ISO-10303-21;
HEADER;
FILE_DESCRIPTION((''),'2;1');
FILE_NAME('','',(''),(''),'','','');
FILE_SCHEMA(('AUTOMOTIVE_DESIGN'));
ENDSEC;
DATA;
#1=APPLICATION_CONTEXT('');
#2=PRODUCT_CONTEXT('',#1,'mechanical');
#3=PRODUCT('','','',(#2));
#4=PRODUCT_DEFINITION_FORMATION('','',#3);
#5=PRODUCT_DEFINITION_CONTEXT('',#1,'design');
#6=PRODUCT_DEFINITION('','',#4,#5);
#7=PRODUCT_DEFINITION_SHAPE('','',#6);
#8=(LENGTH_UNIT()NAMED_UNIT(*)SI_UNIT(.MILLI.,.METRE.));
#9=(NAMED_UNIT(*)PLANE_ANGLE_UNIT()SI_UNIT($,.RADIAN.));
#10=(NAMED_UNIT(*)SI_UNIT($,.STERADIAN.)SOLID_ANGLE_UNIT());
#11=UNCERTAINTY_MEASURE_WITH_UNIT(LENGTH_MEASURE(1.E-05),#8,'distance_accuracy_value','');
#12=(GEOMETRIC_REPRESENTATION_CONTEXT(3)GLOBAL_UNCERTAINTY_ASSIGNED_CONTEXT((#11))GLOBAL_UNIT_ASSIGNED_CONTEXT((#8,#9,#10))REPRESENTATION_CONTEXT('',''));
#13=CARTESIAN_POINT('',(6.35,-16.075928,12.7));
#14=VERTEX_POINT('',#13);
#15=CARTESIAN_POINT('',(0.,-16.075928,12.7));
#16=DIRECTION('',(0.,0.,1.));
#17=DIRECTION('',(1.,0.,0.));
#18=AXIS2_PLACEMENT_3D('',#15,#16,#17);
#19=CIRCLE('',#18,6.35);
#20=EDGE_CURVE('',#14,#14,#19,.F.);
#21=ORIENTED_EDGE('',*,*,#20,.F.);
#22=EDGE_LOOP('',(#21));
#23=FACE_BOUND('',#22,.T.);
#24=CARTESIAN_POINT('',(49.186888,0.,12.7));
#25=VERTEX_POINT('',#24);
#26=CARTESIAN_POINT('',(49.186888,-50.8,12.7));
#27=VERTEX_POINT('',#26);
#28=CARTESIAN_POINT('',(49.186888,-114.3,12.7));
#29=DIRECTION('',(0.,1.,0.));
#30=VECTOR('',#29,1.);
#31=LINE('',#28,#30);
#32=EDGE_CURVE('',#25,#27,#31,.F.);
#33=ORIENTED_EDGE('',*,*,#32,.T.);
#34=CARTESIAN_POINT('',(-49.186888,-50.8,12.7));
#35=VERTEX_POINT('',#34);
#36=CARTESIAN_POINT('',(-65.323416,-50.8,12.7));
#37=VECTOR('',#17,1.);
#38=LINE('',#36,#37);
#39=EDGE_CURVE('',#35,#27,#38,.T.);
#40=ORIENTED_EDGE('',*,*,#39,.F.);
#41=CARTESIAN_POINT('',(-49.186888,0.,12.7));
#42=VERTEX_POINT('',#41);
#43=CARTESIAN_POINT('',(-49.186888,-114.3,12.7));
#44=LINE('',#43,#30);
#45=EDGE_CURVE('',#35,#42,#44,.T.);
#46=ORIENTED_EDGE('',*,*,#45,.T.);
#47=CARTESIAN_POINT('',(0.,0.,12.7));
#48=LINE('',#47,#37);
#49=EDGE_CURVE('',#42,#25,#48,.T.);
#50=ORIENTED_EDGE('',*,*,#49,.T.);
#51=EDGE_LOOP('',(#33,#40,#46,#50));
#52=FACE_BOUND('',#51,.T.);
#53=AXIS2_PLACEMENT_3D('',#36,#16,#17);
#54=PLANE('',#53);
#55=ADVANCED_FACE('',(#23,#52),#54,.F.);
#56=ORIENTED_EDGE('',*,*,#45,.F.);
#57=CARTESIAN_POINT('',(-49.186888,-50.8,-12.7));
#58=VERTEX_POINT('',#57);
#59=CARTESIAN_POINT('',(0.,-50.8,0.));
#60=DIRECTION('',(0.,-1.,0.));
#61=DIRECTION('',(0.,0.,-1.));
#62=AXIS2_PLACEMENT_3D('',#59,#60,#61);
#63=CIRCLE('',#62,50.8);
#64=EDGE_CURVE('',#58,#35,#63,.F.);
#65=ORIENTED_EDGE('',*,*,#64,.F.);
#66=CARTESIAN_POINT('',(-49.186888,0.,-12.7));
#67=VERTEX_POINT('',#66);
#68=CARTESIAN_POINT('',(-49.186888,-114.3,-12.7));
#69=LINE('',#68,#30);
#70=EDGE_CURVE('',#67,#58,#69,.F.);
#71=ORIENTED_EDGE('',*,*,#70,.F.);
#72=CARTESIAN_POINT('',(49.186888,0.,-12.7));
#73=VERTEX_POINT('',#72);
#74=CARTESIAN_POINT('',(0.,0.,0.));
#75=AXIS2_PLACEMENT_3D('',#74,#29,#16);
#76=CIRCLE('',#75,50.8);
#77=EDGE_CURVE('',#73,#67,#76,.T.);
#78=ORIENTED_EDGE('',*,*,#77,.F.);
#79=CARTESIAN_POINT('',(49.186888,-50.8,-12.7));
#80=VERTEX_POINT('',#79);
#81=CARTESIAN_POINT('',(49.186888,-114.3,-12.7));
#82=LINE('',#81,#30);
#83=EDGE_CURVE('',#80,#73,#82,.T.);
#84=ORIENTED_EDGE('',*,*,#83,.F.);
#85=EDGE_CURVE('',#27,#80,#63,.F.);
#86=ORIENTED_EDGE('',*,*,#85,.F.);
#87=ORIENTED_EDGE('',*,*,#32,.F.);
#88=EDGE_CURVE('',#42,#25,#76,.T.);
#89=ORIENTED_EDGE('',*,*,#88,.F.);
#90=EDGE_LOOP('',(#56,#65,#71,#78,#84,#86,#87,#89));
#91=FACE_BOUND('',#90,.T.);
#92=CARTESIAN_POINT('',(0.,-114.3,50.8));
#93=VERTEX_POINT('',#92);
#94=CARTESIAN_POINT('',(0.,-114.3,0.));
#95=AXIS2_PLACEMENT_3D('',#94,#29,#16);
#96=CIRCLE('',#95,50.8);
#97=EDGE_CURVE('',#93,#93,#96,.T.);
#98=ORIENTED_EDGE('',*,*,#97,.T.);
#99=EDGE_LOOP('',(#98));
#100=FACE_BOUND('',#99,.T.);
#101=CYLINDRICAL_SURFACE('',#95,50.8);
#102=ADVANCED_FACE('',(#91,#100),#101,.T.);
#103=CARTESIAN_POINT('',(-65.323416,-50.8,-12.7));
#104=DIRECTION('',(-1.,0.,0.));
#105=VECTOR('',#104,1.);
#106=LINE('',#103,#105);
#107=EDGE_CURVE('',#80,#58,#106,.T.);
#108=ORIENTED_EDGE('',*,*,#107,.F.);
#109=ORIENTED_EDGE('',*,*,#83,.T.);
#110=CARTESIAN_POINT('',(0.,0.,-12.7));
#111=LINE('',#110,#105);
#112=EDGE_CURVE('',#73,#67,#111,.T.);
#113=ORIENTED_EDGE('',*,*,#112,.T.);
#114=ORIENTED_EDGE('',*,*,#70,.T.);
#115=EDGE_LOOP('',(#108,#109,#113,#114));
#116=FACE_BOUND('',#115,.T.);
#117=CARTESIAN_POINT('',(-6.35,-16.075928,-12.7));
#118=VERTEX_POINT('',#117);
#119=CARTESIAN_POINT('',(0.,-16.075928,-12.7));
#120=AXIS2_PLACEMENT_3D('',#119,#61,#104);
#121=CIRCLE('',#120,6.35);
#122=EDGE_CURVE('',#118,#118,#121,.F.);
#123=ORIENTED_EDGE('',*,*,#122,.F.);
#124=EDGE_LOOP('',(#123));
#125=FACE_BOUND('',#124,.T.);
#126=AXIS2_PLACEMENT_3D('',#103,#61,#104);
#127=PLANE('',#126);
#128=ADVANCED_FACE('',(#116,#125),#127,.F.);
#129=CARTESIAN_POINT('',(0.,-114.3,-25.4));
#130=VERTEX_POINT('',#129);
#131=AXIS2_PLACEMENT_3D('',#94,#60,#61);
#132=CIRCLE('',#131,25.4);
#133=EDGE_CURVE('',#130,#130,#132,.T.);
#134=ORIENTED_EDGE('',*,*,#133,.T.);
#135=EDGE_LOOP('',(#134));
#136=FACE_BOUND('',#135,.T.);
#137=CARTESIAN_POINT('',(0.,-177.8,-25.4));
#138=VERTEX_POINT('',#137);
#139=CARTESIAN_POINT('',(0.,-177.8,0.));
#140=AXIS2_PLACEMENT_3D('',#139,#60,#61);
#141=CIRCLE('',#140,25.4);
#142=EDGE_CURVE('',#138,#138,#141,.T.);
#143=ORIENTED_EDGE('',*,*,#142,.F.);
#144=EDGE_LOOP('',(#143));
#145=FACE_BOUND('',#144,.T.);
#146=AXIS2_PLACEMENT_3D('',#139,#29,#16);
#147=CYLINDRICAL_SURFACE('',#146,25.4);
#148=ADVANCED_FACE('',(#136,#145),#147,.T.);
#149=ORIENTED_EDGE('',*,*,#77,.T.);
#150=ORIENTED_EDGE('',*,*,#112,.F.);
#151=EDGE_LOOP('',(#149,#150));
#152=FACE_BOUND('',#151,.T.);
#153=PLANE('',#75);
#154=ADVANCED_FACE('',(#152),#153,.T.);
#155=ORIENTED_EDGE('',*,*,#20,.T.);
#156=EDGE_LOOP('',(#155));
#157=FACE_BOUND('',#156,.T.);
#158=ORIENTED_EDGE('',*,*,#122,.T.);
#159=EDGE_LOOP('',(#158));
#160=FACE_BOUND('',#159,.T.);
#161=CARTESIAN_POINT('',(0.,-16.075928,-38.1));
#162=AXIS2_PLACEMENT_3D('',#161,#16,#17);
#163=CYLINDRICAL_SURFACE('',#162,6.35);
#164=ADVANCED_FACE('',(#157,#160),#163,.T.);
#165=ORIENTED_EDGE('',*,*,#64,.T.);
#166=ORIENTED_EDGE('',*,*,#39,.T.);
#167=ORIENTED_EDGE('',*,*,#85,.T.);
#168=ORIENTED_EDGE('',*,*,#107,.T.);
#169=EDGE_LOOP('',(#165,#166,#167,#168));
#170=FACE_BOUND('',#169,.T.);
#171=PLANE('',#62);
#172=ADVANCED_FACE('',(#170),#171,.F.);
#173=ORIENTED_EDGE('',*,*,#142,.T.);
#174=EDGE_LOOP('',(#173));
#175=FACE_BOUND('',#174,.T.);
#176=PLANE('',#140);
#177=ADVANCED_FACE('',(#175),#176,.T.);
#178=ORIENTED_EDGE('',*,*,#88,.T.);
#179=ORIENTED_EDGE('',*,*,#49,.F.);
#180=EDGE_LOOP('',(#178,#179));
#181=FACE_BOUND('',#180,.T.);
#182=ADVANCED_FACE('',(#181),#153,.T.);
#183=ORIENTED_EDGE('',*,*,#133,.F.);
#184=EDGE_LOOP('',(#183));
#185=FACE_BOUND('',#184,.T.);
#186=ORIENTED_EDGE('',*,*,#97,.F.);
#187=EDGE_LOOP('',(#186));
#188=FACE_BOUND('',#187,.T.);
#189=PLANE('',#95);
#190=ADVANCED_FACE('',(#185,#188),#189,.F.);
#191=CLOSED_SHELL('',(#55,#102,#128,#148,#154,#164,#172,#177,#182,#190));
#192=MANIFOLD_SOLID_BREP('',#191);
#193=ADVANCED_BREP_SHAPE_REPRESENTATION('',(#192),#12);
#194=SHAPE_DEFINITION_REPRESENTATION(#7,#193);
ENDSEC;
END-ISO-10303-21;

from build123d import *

# Parameters (mm, degrees)
SKETCH1_R           = 50.8
BOSS_EXTRUDE1_DEPTH = 114.3
SKETCH2_R           = 25.4
BOSS_EXTRUDE2_DEPTH = 63.5
SKETCH3_W           = 130.646832002
SKETCH3_H           = 25.4
CUT_EXTRUDE5_DEPTH  = 50.8
SKETCH5_R           = 6.35
BOSS_EXTRUDE3_DEPTH = 50.8


with BuildPart() as part:
    # Sketch1 → Boss-Extrude1 (new body)
    with BuildSketch(Plane(origin=(0, 0, 0), x_dir=(1, 0, 0), z_dir=(0, 1, 0))):
        with Locations(Location((0, 0, 0), (0, 0, 270))):
            Circle(SKETCH1_R)
    extrude(amount=-BOSS_EXTRUDE1_DEPTH)

    # Sketch2 → Boss-Extrude2 (add)
    with BuildSketch(Plane(origin=(0, -114.3, 0), x_dir=(-1, 0, 0), z_dir=(0, -1, 0))):
        with Locations(Location((0, 0, 0), (0, 0, 90))):
            Circle(SKETCH2_R)
    extrude(amount=BOSS_EXTRUDE2_DEPTH)

    # Sketch3 → Cut-Extrude5 (cut)
    with BuildSketch(Plane(origin=(0, 0, 0), x_dir=(1, 0, 0), z_dir=(0, 1, 0))):
        Rectangle(SKETCH3_W, SKETCH3_H)
    extrude(amount=-CUT_EXTRUDE5_DEPTH, mode=Mode.SUBTRACT)

    # Sketch5 → Boss-Extrude3 (add)
    with BuildSketch(Plane(origin=(0, 0, 12.7), x_dir=(-1, 0, 0), z_dir=(0, 0, -1))):
        with Locations(Location((0, -16.075927957, 0), (0, 0, 180))):
            Circle(SKETCH5_R)
    extrude(amount=BOSS_EXTRUDE3_DEPTH)


solid = part.part
